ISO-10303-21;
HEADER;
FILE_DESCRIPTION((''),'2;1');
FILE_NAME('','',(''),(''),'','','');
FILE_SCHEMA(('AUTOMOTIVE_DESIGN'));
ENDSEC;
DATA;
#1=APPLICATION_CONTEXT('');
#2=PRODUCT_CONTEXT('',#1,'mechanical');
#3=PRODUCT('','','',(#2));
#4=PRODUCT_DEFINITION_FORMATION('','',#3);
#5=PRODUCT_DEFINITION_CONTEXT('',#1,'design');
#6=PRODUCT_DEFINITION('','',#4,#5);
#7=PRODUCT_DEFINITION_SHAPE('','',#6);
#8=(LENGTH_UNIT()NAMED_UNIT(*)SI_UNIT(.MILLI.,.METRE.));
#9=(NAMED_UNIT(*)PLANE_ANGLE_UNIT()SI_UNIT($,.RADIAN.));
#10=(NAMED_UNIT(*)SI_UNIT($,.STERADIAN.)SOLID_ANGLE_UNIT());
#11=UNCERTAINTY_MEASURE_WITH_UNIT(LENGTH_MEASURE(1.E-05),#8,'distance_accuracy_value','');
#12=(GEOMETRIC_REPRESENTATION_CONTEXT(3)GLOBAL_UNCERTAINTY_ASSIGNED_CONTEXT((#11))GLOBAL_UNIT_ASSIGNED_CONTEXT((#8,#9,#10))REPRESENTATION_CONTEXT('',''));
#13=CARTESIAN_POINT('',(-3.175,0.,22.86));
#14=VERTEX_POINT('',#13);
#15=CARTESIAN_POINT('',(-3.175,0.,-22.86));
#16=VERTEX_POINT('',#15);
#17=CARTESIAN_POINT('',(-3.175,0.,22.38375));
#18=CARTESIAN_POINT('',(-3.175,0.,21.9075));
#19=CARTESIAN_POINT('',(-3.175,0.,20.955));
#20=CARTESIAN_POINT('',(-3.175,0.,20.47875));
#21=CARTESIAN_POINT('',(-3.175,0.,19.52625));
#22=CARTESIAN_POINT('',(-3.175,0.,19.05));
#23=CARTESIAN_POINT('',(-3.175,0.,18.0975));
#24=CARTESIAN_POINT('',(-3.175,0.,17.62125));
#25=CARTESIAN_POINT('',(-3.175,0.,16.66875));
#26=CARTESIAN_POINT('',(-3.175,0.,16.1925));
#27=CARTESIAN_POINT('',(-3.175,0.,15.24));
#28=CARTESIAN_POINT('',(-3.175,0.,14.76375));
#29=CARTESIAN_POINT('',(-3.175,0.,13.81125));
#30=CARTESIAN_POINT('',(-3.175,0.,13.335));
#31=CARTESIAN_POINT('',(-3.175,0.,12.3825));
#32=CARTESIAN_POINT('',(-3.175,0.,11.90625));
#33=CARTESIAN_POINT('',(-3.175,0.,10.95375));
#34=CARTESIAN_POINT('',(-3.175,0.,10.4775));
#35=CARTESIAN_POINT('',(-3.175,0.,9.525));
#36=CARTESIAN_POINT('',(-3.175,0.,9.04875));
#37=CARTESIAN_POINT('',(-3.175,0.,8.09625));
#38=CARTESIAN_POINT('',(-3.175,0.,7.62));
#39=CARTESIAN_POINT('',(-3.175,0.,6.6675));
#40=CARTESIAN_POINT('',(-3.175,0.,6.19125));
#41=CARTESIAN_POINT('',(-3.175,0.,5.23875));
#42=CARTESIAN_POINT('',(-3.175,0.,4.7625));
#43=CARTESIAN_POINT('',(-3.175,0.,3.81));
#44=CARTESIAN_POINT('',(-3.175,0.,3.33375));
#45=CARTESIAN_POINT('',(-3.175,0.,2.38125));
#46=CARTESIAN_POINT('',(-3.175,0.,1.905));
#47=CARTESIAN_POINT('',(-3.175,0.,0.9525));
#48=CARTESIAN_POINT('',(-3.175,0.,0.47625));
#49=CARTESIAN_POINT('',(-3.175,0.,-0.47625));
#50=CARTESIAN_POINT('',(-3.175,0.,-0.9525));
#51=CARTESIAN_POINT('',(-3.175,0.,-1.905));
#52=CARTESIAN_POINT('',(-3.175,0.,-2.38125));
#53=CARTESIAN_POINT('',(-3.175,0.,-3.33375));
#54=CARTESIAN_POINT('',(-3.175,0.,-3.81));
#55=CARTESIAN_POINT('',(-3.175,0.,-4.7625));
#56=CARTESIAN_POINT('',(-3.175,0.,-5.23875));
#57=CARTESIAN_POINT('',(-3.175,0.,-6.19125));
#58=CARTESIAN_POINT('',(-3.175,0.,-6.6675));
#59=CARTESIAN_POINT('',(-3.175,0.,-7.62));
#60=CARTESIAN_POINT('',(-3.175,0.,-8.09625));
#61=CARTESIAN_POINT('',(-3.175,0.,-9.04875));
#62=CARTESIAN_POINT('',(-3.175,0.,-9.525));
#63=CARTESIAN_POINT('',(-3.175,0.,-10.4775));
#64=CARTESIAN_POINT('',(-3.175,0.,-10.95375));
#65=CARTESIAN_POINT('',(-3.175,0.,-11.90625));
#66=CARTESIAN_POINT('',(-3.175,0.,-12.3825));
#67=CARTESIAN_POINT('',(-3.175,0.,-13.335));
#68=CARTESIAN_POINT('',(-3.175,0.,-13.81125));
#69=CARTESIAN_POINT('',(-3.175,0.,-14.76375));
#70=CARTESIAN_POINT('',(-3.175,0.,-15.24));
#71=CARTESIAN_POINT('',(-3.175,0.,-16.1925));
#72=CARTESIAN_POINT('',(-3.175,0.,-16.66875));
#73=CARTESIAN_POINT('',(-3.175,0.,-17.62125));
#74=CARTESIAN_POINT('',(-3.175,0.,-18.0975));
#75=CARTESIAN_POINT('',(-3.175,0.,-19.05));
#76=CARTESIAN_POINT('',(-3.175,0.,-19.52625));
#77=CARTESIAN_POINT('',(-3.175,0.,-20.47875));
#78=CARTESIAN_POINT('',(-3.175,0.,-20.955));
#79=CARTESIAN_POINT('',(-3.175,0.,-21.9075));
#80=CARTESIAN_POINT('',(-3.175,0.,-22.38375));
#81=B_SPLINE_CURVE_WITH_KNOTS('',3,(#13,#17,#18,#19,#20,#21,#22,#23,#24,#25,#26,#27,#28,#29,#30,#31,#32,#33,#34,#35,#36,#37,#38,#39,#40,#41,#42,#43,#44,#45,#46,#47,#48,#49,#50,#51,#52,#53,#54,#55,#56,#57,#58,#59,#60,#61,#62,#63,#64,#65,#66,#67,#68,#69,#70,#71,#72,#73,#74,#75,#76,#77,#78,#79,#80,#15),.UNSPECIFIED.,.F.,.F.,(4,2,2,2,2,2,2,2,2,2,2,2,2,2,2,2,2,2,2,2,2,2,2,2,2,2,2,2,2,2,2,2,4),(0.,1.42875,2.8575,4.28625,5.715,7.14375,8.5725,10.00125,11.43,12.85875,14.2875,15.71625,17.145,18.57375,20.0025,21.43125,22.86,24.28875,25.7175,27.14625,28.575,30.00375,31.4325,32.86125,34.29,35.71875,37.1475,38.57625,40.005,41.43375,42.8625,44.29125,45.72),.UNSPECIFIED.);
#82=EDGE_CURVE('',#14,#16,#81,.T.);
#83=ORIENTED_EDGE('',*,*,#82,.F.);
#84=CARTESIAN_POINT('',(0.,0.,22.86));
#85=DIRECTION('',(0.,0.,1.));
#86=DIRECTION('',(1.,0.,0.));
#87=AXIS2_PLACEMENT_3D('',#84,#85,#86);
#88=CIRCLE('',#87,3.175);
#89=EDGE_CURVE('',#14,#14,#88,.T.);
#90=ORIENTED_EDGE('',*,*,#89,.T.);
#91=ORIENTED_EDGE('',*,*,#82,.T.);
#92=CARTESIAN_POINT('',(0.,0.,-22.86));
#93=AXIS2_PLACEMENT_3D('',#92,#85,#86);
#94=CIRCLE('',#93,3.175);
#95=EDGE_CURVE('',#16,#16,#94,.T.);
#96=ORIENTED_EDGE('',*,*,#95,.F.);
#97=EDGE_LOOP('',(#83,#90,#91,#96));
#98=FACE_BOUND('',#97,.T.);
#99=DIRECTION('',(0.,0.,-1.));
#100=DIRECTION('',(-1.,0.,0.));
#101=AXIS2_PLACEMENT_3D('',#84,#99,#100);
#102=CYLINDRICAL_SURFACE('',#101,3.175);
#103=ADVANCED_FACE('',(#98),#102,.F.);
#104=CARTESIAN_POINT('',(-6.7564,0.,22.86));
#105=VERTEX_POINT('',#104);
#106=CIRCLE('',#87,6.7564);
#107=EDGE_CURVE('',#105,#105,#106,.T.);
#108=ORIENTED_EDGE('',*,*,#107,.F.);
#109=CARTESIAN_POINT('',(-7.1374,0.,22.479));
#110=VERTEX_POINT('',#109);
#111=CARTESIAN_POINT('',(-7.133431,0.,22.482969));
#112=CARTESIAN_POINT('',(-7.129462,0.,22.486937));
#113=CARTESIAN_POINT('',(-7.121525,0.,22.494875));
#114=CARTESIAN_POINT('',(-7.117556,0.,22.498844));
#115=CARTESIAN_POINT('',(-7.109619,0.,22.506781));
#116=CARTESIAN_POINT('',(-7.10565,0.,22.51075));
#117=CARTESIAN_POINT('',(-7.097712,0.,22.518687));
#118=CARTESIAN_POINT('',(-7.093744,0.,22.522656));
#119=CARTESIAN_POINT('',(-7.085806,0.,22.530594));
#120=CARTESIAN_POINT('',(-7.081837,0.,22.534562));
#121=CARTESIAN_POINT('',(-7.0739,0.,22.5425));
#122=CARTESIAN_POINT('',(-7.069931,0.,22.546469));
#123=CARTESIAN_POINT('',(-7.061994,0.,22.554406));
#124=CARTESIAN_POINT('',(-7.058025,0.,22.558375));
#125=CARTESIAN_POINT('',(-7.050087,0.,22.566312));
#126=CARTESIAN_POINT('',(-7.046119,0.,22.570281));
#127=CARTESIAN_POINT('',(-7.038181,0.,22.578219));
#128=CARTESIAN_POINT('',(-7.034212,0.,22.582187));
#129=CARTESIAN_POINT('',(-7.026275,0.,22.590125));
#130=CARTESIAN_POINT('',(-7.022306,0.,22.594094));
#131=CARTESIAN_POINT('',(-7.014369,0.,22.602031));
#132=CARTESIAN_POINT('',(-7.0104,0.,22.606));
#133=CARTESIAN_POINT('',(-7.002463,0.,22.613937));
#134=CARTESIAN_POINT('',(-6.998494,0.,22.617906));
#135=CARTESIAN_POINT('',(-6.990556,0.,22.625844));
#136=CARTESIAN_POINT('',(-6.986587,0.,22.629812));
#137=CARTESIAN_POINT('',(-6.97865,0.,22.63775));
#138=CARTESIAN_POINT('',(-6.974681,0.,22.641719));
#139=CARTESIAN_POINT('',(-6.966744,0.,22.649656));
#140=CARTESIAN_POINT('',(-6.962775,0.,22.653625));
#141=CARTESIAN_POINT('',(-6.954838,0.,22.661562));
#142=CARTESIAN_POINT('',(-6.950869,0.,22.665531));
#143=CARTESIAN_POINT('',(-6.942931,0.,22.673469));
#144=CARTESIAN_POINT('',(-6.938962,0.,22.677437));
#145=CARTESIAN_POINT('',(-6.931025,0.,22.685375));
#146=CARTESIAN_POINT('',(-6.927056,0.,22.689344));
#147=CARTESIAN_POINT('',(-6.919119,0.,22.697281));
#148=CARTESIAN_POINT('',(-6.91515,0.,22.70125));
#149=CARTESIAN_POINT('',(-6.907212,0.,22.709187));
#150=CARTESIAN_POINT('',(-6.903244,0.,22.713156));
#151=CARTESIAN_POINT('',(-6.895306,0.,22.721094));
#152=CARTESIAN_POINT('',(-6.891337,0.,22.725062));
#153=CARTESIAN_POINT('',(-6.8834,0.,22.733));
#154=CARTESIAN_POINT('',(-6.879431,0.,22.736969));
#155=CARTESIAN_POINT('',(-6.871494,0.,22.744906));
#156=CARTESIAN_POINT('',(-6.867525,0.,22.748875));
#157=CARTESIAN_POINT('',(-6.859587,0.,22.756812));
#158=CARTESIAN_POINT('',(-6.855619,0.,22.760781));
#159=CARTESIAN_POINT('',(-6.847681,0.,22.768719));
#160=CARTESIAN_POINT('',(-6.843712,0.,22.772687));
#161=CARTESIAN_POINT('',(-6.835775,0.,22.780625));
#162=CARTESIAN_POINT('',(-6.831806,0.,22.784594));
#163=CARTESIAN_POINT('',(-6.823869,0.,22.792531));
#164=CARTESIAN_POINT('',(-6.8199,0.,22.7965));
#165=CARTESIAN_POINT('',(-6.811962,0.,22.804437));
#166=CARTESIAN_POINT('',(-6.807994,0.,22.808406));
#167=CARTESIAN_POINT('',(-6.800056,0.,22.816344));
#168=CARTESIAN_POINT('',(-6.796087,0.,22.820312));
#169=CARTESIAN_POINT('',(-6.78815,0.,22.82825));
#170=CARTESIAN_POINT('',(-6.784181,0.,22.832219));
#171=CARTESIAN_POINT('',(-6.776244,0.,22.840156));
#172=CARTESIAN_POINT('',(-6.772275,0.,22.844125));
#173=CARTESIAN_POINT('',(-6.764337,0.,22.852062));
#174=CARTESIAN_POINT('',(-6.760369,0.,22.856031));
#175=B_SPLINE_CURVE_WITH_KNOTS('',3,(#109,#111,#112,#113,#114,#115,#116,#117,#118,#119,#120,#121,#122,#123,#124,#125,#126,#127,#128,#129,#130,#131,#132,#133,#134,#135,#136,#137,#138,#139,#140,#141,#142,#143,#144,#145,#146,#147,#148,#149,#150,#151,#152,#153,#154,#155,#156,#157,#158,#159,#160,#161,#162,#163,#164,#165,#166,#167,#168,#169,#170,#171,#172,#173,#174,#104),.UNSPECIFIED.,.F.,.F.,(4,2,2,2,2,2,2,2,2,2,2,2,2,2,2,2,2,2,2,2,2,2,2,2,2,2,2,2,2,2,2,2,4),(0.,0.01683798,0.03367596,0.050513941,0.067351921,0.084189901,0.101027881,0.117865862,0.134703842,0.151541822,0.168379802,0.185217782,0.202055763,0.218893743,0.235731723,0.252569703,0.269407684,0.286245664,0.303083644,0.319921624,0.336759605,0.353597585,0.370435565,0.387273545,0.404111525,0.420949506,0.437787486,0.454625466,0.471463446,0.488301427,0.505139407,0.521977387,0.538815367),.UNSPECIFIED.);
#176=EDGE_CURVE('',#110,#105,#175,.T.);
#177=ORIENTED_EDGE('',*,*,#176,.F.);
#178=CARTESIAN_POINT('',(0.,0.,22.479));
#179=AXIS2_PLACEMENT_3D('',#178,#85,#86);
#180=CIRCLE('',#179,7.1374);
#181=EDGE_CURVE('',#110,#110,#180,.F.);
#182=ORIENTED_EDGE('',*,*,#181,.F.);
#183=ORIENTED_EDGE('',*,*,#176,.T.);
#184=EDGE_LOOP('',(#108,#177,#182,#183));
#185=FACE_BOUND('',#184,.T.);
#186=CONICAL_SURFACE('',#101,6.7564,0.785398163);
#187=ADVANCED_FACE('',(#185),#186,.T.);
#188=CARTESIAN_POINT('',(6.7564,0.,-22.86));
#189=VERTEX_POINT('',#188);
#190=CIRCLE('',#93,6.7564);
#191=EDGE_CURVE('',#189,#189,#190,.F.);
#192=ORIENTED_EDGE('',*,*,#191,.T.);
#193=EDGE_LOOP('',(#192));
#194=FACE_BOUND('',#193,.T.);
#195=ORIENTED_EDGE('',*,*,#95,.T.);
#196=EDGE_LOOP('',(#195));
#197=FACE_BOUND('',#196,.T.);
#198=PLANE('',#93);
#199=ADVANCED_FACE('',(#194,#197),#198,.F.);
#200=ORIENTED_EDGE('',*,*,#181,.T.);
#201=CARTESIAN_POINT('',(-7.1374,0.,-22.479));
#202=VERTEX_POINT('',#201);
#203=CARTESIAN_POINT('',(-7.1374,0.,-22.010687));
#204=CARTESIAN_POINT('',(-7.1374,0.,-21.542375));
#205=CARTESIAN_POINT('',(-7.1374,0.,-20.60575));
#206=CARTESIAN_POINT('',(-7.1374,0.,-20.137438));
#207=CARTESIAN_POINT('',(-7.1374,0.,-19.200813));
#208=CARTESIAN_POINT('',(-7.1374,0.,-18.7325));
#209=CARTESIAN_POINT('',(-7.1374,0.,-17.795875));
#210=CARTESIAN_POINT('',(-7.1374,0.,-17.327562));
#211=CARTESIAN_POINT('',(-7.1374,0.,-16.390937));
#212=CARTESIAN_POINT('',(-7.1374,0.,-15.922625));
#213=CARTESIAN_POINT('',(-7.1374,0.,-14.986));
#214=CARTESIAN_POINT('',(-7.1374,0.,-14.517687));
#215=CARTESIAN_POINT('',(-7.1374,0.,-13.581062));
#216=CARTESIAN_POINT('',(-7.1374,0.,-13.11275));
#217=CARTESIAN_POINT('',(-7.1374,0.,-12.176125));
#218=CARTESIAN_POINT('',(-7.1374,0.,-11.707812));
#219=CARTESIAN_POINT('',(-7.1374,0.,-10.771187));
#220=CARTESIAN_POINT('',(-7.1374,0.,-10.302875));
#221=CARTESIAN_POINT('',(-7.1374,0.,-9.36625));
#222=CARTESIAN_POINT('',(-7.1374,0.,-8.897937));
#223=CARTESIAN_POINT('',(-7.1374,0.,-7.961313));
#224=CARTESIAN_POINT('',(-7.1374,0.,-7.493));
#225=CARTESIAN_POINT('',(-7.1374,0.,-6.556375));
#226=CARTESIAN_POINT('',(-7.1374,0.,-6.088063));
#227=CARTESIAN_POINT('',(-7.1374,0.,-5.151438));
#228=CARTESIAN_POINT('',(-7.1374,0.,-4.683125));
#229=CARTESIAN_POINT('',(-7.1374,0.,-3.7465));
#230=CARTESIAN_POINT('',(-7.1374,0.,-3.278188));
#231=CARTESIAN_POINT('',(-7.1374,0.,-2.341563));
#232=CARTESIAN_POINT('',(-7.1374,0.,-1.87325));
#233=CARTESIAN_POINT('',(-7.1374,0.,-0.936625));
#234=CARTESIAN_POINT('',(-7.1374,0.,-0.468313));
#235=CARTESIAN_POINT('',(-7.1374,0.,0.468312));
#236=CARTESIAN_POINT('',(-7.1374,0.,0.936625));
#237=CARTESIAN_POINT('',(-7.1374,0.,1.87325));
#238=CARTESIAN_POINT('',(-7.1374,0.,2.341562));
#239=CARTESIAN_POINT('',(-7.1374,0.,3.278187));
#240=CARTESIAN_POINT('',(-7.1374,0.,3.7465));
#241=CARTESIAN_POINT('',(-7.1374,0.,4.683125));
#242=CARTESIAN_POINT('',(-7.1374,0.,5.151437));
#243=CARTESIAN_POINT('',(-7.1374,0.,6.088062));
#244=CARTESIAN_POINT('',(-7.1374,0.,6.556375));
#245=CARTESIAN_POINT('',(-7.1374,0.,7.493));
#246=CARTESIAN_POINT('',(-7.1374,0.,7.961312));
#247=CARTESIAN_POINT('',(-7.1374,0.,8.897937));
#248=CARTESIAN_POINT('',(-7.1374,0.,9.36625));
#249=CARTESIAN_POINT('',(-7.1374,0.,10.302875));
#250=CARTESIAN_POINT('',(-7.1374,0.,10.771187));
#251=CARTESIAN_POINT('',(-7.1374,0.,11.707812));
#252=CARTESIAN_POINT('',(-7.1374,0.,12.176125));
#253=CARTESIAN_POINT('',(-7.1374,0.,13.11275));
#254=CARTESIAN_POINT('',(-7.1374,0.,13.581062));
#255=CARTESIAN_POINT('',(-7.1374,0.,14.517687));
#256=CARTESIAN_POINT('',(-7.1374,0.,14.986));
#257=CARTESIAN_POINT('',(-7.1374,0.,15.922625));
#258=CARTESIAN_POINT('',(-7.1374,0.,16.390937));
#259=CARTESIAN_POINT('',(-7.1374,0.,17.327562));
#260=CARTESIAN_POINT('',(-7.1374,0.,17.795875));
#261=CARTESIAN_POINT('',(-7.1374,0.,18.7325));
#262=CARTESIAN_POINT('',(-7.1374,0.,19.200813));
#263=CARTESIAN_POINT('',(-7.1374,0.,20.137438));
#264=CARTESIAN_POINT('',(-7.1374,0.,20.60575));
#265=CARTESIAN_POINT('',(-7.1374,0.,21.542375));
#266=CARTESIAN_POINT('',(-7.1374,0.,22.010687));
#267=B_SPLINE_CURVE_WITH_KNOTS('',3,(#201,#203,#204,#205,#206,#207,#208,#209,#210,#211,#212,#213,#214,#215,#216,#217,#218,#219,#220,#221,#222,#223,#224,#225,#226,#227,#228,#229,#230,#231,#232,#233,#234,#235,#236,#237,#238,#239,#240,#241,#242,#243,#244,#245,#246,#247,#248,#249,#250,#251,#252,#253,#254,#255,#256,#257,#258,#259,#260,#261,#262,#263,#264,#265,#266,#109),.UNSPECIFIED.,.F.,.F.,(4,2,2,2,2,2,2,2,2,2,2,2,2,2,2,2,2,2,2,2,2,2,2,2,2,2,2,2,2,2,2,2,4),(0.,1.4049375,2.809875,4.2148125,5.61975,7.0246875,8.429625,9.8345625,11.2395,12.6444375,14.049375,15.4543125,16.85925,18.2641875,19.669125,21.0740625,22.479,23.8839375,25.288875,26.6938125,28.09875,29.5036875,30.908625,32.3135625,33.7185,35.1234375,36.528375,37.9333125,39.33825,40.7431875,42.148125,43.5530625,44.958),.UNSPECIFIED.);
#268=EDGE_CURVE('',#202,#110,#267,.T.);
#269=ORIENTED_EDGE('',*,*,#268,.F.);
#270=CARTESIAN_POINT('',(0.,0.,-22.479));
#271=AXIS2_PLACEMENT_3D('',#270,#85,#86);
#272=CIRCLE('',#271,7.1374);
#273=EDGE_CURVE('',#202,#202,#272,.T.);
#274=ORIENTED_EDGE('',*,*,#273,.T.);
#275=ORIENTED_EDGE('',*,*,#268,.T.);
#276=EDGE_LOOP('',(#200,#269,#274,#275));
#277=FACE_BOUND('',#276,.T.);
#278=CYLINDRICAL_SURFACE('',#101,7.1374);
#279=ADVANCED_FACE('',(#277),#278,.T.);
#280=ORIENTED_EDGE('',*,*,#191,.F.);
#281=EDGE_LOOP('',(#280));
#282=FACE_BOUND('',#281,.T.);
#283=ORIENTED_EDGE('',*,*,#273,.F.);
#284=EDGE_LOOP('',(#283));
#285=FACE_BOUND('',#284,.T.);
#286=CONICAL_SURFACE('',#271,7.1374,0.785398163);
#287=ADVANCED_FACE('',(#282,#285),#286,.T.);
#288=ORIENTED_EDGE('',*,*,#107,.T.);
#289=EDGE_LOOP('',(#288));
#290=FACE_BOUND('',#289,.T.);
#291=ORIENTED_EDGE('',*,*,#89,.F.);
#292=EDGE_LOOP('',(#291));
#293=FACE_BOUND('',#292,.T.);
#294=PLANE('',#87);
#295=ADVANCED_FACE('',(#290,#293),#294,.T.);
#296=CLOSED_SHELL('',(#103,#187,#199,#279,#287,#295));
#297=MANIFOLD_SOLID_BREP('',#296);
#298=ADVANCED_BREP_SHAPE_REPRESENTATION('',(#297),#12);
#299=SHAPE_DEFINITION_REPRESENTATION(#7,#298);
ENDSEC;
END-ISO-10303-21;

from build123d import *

# Parameters (mm, degrees)
SKETCH1_R           = 7.1374
SKETCH1_R_2         = 3.175
BOSS_EXTRUDE1_DEPTH = 22.86
CHAMFER1_SIZE       = 0.381


with BuildPart() as part:
    # Sketch1 → Boss-Extrude1 (new, symmetric)
    with BuildSketch(Plane.XY):
        Circle(SKETCH1_R)
        Circle(SKETCH1_R_2, mode=Mode.SUBTRACT)
    extrude(amount=BOSS_EXTRUDE1_DEPTH, both=True)

    # Chamfer1
    chamfer1_edges = [part.edges().sort_by_distance(p)[0] for p in [
        (-7.1374, 0, -22.86),
        (-7.1374, 0, 22.86),
    ]]
    chamfer(chamfer1_edges, length=CHAMFER1_SIZE)


solid = part.part
